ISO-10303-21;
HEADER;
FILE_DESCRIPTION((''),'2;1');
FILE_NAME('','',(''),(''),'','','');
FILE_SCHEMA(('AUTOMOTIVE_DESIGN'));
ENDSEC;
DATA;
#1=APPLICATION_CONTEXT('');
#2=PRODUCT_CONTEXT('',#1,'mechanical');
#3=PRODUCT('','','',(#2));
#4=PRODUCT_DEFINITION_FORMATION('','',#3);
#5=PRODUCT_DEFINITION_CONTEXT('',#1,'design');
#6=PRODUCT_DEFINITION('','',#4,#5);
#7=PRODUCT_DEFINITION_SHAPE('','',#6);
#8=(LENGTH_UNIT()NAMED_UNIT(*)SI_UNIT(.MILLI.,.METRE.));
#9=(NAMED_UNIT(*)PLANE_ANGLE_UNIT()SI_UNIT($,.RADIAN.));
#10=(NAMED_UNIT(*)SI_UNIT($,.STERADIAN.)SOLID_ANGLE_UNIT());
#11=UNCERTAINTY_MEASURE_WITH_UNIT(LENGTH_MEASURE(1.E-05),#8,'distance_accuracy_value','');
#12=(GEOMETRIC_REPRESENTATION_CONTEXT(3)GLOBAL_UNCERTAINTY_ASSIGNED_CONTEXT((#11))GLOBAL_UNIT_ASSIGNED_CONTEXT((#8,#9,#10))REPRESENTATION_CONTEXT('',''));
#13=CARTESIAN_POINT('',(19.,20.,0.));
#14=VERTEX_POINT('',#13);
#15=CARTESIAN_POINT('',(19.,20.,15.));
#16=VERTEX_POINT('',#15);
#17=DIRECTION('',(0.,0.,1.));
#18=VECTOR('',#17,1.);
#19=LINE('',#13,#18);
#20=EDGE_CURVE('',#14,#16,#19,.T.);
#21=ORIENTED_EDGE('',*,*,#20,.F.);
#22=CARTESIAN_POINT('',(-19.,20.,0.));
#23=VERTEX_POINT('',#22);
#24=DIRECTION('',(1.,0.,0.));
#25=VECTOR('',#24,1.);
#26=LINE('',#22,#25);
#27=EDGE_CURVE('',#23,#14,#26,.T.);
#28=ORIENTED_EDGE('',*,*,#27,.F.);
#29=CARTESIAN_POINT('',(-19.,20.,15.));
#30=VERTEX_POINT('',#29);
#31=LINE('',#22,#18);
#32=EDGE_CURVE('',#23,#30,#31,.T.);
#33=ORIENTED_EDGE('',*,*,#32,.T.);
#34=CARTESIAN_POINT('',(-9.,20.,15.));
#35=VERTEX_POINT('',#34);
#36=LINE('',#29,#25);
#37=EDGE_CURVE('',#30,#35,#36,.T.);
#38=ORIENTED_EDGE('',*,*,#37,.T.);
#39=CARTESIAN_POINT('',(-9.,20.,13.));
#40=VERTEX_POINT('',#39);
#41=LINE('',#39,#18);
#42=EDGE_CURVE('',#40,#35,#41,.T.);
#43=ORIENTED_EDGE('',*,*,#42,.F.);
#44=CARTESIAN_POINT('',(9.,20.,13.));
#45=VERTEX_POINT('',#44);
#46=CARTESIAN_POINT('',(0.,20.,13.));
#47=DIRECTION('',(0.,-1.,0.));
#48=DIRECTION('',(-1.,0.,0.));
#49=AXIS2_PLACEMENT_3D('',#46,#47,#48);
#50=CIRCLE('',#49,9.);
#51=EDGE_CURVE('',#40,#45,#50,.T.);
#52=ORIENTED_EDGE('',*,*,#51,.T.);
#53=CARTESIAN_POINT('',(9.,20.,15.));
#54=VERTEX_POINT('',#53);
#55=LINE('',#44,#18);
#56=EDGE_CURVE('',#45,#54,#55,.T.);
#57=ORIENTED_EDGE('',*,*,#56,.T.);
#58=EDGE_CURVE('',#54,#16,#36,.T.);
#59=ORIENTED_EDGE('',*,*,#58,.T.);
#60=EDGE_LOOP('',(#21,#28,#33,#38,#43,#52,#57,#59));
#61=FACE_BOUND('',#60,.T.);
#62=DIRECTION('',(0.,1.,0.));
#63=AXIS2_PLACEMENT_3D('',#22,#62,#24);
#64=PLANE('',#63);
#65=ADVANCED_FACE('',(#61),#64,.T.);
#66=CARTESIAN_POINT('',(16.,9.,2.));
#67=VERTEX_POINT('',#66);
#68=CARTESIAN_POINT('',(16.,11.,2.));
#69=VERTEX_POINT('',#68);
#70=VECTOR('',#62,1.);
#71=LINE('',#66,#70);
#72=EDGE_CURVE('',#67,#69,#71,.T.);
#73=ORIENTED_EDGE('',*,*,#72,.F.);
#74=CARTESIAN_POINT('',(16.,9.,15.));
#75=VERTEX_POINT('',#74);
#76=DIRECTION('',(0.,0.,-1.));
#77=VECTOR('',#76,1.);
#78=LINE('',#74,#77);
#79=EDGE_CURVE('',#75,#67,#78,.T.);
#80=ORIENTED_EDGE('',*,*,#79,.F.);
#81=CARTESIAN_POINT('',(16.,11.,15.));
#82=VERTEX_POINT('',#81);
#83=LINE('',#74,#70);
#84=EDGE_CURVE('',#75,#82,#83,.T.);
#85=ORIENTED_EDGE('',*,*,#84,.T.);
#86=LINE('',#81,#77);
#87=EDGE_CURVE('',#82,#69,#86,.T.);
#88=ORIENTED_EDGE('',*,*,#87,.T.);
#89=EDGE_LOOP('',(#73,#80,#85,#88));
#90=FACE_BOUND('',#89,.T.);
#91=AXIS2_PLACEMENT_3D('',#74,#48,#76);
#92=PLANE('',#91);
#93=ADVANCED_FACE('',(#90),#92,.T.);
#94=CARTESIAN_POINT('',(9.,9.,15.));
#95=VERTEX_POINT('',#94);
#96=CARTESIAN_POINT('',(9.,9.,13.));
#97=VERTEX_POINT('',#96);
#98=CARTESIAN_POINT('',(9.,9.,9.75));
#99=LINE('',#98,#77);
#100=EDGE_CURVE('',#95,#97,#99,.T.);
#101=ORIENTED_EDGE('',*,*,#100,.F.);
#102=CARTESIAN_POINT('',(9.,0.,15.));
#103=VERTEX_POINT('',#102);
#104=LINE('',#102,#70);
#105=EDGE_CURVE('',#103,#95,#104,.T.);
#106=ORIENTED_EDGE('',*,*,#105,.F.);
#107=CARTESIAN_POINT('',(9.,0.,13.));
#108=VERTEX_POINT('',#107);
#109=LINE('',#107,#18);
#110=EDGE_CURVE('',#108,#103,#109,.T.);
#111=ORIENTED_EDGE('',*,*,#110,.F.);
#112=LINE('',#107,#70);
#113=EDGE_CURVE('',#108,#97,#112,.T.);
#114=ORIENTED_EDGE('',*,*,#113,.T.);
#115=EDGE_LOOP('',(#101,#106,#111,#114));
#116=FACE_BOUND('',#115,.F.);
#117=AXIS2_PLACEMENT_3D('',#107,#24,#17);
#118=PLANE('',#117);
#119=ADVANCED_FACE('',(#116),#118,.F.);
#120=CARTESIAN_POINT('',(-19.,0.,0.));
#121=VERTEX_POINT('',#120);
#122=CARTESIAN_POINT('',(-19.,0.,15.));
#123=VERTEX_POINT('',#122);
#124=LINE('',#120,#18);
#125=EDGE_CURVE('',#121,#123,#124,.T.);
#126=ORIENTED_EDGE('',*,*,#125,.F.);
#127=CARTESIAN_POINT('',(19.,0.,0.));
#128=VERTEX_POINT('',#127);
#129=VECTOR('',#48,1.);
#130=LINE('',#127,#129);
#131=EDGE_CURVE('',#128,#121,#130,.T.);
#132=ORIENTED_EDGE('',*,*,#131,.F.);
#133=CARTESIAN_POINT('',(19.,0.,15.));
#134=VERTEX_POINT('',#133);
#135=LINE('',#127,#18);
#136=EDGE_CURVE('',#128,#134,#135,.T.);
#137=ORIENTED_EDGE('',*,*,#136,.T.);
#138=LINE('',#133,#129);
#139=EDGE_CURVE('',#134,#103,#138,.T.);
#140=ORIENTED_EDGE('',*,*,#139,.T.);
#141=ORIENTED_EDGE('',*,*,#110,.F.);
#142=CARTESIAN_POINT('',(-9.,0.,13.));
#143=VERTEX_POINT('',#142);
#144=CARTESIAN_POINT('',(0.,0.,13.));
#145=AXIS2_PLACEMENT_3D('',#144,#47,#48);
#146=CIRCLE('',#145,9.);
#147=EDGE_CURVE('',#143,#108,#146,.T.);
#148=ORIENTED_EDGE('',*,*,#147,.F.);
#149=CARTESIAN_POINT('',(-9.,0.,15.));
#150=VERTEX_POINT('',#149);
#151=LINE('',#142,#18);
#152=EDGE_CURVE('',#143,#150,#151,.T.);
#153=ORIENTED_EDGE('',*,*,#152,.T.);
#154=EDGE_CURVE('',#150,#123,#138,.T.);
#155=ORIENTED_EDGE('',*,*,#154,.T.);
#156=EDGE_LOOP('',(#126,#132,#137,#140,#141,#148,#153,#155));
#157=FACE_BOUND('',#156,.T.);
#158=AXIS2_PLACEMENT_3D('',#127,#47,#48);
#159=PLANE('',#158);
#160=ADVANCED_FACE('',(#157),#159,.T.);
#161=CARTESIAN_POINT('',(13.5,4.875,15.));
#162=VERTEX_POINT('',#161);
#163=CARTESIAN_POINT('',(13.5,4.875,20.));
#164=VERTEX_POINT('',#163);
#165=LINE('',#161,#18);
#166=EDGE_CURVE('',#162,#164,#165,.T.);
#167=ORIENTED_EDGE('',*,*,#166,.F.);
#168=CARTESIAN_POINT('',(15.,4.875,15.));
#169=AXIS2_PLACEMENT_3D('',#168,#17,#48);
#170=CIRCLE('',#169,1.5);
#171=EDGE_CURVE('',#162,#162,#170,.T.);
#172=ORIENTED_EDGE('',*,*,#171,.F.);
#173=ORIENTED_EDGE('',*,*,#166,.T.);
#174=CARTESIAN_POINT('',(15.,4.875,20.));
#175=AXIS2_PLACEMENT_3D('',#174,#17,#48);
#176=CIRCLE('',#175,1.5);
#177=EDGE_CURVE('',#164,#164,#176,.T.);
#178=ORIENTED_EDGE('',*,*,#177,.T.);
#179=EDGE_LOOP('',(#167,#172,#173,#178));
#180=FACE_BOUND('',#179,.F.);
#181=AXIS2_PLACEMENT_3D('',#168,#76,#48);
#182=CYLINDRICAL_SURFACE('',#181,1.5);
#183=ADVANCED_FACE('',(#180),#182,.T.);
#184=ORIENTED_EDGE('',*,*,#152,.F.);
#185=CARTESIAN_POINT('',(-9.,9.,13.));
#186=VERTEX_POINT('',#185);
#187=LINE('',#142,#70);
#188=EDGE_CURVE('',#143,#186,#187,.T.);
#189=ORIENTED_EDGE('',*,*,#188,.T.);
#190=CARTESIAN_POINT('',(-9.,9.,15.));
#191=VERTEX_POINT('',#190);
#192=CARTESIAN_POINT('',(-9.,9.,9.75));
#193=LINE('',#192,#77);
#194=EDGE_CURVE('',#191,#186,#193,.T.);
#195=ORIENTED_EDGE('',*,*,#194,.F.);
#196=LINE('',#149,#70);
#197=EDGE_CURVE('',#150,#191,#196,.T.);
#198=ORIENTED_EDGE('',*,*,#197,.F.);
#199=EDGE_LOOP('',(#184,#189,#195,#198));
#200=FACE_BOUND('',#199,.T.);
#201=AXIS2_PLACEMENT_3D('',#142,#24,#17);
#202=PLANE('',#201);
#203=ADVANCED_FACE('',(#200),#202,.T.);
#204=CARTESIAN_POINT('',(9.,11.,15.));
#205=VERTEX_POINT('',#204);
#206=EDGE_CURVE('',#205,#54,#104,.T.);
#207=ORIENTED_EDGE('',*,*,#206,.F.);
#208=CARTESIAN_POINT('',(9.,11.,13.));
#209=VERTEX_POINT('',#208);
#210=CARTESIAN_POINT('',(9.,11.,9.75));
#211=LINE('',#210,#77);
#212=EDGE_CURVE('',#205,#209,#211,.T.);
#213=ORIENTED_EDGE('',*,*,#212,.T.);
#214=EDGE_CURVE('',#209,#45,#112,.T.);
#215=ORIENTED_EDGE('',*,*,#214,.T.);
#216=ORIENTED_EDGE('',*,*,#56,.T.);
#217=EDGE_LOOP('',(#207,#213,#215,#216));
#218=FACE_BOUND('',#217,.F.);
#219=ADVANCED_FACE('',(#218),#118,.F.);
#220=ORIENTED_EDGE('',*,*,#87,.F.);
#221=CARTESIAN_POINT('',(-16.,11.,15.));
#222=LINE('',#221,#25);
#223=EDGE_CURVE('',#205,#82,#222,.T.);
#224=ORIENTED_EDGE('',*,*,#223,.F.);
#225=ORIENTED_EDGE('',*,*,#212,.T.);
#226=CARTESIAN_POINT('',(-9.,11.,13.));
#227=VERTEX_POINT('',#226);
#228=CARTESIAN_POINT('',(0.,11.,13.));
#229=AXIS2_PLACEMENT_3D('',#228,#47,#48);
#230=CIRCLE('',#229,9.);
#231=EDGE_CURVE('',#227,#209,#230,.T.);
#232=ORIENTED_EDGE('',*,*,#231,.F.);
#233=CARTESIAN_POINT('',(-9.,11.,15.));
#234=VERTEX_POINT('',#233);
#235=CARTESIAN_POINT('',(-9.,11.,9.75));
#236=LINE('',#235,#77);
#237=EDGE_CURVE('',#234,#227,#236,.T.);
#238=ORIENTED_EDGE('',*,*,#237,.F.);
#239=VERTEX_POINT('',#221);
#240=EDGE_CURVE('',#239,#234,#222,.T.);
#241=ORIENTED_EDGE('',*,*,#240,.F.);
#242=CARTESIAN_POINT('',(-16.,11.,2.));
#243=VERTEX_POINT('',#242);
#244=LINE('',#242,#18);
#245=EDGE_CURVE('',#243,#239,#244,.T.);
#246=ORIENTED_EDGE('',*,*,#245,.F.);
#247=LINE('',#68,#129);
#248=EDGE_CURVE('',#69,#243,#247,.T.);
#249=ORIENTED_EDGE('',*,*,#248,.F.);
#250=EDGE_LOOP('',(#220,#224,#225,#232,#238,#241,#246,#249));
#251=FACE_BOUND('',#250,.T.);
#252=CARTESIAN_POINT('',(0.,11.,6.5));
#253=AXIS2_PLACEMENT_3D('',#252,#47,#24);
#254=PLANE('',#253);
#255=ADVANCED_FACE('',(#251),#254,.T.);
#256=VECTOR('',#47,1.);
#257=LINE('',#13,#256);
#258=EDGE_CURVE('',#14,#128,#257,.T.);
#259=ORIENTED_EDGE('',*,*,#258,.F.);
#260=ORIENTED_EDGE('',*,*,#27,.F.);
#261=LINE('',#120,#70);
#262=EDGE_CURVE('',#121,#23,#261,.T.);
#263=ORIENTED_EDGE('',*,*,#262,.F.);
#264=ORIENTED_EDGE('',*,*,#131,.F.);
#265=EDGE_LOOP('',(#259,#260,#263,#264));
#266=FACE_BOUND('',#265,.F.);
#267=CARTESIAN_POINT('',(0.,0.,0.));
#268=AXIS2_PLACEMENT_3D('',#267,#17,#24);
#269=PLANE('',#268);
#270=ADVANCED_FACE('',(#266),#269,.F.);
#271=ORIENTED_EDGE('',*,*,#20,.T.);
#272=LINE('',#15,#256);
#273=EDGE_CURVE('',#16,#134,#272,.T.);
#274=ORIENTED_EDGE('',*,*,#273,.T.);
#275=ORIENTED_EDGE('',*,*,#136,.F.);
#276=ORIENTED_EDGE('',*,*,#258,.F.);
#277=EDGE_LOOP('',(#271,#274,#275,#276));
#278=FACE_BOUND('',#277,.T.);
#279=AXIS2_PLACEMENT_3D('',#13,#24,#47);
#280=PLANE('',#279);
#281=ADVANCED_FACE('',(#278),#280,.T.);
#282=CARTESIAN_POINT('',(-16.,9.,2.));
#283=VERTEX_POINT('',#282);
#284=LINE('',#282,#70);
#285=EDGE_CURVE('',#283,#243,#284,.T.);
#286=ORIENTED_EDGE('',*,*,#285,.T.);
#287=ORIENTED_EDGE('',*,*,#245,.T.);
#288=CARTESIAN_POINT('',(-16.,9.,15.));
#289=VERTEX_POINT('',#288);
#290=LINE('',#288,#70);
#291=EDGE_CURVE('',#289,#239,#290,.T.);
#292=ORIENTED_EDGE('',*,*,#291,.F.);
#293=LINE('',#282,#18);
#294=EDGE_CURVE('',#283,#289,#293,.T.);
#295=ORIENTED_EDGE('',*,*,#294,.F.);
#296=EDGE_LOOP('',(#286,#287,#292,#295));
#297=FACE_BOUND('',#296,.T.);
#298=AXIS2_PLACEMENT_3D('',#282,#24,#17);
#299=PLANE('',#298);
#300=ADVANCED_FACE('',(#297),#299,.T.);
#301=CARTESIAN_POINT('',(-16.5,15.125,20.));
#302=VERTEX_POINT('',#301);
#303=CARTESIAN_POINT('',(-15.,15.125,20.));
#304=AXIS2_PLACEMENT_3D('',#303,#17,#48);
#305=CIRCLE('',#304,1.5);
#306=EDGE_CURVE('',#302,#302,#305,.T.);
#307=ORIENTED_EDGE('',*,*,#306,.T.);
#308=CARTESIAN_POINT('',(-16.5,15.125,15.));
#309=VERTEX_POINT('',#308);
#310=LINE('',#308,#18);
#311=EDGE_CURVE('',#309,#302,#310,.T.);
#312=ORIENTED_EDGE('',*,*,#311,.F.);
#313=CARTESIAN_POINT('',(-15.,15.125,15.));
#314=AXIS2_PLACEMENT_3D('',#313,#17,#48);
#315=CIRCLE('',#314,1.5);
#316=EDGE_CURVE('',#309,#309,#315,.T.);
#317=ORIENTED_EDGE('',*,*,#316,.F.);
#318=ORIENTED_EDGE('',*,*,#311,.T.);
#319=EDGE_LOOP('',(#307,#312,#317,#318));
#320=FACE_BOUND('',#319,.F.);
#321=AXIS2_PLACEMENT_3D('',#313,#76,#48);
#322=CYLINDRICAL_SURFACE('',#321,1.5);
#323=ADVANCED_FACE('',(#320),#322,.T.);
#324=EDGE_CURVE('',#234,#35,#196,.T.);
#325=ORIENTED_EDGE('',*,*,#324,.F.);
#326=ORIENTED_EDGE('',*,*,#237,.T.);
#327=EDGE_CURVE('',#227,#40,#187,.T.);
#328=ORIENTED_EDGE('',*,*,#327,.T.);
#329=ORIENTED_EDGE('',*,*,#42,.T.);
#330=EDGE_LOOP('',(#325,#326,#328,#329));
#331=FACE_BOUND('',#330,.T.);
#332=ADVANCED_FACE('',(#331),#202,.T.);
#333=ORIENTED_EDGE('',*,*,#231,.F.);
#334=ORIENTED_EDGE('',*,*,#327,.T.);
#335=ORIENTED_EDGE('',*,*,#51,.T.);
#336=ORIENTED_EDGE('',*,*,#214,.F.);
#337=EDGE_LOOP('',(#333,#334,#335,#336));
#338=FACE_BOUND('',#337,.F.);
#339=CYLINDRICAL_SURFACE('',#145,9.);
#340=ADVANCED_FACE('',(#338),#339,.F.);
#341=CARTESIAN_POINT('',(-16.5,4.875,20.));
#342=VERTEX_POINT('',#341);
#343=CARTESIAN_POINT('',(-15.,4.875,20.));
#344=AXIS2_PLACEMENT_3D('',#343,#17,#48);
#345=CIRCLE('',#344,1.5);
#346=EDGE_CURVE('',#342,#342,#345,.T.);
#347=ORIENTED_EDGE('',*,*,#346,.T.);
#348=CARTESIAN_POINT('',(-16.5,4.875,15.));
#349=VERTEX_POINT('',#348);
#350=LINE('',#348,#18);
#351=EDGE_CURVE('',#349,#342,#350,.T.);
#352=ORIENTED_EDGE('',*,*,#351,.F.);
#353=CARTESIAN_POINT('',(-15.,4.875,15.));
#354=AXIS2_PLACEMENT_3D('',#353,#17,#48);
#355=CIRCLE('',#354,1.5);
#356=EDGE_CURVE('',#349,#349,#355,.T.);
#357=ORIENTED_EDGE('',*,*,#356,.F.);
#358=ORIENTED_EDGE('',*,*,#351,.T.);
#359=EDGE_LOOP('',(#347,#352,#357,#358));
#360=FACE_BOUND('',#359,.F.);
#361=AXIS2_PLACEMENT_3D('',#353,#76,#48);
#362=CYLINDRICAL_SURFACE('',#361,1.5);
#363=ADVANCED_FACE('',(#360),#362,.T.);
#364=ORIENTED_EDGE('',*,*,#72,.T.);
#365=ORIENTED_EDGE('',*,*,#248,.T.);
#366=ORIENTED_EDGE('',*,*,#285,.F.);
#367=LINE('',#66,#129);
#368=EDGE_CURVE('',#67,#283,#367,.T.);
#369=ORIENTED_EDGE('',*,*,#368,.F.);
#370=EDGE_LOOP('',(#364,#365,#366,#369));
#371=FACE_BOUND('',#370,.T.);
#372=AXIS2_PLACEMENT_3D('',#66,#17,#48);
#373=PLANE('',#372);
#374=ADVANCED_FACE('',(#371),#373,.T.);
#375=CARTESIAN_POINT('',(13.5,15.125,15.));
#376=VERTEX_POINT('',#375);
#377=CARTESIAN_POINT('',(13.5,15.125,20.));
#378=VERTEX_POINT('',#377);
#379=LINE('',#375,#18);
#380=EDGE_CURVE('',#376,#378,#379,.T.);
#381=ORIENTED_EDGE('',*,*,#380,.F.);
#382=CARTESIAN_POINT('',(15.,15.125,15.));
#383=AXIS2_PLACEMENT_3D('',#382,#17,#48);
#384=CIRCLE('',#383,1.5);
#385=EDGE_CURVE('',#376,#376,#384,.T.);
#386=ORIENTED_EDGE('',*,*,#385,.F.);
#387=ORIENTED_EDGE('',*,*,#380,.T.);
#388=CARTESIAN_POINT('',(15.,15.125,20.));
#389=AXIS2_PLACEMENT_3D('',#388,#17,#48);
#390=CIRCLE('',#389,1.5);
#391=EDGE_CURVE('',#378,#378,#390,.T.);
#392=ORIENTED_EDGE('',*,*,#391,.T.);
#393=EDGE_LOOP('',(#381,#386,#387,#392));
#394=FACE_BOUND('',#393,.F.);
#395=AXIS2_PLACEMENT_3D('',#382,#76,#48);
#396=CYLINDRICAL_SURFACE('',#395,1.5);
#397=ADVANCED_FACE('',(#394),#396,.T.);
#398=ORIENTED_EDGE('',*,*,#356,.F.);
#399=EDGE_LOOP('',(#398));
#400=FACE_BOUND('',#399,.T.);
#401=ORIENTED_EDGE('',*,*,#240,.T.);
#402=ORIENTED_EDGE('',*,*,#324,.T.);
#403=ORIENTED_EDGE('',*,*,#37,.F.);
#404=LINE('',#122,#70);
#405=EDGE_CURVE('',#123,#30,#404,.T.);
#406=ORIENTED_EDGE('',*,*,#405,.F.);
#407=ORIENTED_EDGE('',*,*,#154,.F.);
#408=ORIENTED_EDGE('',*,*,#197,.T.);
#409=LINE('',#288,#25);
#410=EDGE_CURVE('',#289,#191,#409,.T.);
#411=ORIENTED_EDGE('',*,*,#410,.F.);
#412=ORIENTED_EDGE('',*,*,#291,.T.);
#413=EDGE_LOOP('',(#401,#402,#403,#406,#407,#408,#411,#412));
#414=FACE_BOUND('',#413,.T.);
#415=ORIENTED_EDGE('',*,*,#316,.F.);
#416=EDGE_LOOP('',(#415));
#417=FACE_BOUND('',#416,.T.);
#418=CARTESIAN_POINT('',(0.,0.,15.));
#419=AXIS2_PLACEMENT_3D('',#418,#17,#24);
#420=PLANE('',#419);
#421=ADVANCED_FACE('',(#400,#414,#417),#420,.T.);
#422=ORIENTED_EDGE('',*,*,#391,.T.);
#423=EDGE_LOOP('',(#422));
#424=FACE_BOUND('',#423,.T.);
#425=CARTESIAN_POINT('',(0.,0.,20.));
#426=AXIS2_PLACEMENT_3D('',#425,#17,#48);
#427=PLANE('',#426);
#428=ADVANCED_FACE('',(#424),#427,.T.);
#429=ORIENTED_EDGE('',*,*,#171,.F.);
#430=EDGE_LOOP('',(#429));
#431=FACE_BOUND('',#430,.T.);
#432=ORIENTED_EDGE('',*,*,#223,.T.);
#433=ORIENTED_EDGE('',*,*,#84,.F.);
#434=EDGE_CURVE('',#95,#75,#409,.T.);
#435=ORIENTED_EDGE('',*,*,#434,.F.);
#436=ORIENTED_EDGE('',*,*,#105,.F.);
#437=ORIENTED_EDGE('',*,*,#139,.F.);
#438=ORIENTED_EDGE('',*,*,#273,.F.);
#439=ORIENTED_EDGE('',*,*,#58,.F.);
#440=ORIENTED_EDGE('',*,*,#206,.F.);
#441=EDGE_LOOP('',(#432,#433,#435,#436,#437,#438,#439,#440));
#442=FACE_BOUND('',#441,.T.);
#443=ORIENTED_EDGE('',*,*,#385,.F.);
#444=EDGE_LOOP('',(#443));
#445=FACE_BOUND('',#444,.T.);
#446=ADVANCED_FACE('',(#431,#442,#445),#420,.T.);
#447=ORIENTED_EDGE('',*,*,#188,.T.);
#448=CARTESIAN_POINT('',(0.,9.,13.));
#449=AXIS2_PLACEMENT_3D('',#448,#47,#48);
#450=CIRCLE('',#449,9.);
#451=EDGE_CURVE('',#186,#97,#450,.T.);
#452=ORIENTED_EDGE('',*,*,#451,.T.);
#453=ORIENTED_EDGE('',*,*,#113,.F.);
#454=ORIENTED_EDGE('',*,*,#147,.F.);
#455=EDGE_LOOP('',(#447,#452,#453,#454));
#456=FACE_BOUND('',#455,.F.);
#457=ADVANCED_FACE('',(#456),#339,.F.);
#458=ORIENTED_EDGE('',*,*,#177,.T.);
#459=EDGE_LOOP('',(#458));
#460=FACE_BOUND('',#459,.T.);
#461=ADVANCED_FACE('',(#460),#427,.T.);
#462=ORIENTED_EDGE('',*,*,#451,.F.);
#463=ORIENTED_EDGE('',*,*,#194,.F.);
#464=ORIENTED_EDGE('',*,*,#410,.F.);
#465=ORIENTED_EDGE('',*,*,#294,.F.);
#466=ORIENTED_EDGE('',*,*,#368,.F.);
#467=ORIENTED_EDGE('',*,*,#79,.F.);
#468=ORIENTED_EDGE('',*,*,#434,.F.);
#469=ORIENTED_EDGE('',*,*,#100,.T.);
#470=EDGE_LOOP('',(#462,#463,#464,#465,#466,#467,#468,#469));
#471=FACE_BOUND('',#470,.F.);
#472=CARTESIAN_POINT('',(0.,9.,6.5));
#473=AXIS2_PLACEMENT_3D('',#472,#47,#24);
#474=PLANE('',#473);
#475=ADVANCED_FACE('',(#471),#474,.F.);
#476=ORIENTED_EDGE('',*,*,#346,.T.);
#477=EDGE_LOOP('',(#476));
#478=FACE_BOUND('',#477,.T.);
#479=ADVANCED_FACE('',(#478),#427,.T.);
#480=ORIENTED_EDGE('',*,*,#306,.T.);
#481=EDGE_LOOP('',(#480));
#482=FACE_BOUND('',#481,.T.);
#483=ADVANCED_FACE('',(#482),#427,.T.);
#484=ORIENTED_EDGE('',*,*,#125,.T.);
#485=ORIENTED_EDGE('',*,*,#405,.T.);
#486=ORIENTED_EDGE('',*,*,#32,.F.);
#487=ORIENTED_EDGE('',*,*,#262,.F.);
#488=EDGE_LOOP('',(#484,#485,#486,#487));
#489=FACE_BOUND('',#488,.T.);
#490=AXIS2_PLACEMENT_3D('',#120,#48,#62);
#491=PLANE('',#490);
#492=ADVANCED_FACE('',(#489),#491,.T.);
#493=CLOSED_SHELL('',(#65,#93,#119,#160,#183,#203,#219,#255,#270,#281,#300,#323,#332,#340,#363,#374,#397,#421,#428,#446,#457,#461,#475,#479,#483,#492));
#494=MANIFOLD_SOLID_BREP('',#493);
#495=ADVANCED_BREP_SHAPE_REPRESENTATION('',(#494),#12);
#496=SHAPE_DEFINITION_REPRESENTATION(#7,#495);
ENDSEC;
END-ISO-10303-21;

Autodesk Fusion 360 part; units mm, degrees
sketch "スケッチ1" plane through (0, 0, 0) normal (0, 0, 1) x (1, 0, 0)
  line L0 (-19, 20) -> (19, 20)
  line L1 (19, 20) -> (19, 0)
  line L2 (19, 0) -> (-19, 0)
  line L3 (-19, 0) -> (-19, 20)
  dimension "d1" = 38
  dimension "d2" = 20
extrude "押し出し1" add sketch "スケッチ1" along normal blind 15
sketch "スケッチ2" plane through (0, 0, 0) normal (0, -1, 0) x (1, 0, 0)
  line L0 (-19, 0) -> (19, 0)
  line L1 (19, 0) -> (19, 15)
  line L2 (19, 15) -> (-19, 15)
  line L3 (-19, 15) -> (-19, 0)
  line L4 (-19, 13) -> (19, 13) construction
  arc A0 (-9, 13) -> (9, 13) centre (0, 13) ccw
  line L5 (9, 13) -> (9, 15)
  line L6 (-9, 13) -> (-9, 15)
  dimension "d5" = 2
  dimension "d6" = 18
extrude "押し出し2" cut sketch "スケッチ2" against normal blind 20 contours L2 A0 L5 L6
ref_plane "作業平面1" through (0, 9, 7.5) normal (0, -1, 0) x (1, 0, 0)
sketch "スケッチ3" plane through (0, 9, 6.5) normal (0, -1, 0) x (1, 0, 0)
  line L0 (-16, 8.5) -> (16, 8.5)
  line L1 (16, 8.5) -> (16, -4.5)
  line L2 (16, -4.5) -> (-16, -4.5)
  line L3 (-16, -4.5) -> (-16, 8.5)
  line L4 (-19, 8.5) -> (-9, 8.5)
  arc A0 (-9, 6.5) -> (9, 6.5) centre (0, 6.5) ccw
  line L5 (19, -6.5) -> (19, 8.5)
  dimension "d10" = 32
  dimension "d11" = 11
  dimension "d12" = 3
extrude "押し出し3" cut sketch "スケッチ3" against normal blind 2
sketch "スケッチ4" plane through (0, 0, 15) normal (0, 0, 1) x (-1, 0, 0)
  line L0 (16, -11) -> (9, -11)
  line L1 (9, -11) -> (9, -20)
  line L2 (9, -20) -> (19, -20)
  line L3 (19, -20) -> (19, 0)
  line L4 (19, 0) -> (9, 0)
  line L5 (9, 0) -> (9, -9)
  line L6 (9, -9) -> (16, -9)
  line L7 (16, -9) -> (16, -11)
  line L8 (19, -15.125) -> (-17.5478, -15.125) construction
  line L9 (-19, -20) -> (-9, -20) construction
  line L10 (19, -4.875) -> (-19, -4.875) construction
  line L11 (-19, 0) -> (-19, -20) construction
  circle A0 centre (-15, -15.125) radius 1.5
  circle A1 centre (-15, -4.875) radius 1.5
  circle A2 centre (15, -15.125) radius 1.5
  circle A3 centre (15, -4.875) radius 1.5
  dimension "d15" = 4.875
  dimension "d16" = 10.25
  dimension "d17" = 3
  dimension "d18" = 4
  dimension "d19" = 3
  dimension "d20" = 4
  dimension "d21" = 3
  dimension "d22" = 4
  dimension "d23" = 3
  dimension "d24" = 4
extrude "押し出し4" add sketch "スケッチ4" along normal blind 5 contours A0 | A1 | A2 | A3
